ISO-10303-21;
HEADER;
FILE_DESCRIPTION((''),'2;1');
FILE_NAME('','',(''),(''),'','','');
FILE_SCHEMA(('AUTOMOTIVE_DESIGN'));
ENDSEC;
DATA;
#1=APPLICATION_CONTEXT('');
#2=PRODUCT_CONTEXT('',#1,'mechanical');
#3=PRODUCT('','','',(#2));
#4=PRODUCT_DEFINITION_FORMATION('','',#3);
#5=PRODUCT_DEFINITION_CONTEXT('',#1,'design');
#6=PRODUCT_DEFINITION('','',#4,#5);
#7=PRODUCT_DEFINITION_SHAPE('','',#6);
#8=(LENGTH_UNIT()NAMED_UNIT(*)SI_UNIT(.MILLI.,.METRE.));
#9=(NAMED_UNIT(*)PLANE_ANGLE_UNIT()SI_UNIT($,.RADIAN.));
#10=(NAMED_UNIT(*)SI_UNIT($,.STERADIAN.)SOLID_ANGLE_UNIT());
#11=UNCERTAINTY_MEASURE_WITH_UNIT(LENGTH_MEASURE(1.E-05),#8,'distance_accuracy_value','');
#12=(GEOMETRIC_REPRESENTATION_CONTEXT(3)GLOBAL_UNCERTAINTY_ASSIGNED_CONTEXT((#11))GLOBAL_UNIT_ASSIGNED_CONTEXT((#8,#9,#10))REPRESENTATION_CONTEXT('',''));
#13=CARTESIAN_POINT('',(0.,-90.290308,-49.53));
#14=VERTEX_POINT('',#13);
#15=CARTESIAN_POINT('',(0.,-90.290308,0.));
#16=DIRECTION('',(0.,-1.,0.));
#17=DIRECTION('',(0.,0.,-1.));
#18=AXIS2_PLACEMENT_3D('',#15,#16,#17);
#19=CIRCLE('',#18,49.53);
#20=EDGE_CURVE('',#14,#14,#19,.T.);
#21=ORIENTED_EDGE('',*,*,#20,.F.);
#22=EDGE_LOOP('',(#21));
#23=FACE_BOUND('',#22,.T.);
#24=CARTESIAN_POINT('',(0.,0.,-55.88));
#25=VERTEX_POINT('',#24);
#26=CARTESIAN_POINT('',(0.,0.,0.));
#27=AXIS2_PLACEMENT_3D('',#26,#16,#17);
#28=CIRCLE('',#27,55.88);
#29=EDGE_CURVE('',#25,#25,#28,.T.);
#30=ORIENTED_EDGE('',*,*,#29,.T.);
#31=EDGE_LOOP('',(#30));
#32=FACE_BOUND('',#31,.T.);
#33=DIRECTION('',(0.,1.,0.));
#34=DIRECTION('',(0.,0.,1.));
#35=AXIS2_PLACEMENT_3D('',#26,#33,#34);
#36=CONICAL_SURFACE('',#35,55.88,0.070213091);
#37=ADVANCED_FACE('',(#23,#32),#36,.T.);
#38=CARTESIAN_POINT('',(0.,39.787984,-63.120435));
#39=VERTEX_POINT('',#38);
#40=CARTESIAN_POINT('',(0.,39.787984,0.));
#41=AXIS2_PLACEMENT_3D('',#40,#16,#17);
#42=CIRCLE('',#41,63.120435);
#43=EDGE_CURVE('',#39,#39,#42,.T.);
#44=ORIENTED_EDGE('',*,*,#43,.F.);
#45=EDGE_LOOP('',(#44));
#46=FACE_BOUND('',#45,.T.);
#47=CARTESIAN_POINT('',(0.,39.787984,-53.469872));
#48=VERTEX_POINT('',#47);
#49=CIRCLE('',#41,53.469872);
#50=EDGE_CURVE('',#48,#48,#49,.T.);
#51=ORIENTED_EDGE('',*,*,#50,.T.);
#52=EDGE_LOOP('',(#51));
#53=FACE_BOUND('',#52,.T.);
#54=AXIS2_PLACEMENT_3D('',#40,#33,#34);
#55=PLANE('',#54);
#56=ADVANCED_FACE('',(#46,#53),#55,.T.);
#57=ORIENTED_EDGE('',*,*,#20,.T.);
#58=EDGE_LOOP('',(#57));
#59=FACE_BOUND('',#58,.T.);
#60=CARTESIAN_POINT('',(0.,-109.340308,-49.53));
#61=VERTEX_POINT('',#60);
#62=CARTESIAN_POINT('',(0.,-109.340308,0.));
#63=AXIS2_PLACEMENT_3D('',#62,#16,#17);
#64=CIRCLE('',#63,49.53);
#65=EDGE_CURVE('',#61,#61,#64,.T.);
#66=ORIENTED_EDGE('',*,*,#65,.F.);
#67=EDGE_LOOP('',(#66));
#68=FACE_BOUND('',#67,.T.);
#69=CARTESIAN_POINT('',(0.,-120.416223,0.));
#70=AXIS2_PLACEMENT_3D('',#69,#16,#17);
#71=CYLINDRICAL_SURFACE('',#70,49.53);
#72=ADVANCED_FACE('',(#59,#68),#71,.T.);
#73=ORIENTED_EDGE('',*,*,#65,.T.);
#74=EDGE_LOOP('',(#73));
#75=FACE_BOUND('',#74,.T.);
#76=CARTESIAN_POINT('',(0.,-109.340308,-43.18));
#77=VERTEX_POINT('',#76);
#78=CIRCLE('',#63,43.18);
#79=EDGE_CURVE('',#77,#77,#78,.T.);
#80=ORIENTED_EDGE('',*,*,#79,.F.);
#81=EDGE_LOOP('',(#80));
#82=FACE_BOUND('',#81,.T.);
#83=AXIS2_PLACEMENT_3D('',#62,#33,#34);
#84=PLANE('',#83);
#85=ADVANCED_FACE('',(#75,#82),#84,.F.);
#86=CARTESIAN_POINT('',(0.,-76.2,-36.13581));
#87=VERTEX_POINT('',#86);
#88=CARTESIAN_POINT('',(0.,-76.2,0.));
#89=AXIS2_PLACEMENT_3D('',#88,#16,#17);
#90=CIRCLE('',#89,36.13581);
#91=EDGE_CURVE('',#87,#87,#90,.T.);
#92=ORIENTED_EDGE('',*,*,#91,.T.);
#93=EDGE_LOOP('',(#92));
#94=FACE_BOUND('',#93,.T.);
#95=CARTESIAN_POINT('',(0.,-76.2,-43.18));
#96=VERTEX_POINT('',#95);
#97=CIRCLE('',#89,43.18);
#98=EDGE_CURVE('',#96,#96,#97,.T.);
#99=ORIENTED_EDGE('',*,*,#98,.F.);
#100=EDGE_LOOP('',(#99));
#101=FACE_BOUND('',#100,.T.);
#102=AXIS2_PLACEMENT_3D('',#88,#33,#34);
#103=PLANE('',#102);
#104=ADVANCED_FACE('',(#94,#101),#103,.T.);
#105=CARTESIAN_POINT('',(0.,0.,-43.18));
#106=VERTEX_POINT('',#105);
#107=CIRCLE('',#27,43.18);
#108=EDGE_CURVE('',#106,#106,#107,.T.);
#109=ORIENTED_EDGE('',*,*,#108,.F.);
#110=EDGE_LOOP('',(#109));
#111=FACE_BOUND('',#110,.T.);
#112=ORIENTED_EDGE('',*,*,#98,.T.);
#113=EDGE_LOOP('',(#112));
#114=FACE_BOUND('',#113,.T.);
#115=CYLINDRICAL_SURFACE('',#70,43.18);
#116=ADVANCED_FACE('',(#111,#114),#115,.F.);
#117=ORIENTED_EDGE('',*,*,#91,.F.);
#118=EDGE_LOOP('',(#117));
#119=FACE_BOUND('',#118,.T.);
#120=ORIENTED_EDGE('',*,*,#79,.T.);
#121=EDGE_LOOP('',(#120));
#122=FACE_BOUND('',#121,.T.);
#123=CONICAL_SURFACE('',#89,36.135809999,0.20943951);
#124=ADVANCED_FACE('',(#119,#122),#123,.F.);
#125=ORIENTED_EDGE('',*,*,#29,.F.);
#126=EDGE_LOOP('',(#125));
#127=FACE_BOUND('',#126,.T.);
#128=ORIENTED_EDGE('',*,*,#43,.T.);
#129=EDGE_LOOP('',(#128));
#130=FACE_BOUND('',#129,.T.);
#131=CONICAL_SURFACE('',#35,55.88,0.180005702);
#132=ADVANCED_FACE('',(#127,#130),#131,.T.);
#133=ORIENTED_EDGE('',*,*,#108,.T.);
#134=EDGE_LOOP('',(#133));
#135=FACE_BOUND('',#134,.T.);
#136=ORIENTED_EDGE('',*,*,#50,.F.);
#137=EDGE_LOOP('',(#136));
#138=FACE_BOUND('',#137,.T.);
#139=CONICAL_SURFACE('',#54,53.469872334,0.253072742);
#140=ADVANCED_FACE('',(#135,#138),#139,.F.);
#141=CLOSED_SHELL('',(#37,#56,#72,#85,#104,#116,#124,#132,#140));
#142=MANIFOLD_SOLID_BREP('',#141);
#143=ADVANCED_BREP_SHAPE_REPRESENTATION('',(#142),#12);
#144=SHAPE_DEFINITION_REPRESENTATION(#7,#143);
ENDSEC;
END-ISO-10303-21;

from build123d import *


with BuildPart() as part:
    # Sketch1 → Revolve1 (revolve)
    with BuildSketch(Plane.XY, mode=Mode.PRIVATE) as revolve1_sk:
        Polygon((43.18, -76.2), (36.135809999, -76.2), (43.18, -109.340308374), (49.53, -109.340308374), (49.53, -90.290308374), (55.88, 0), (63.1204351, 39.7879841), (53.469872334, 39.7879841), (43.18, 0), align=None)
    revolve(revolve1_sk.sketch.rotate(Axis((0, -120.416222998, 0), (0, 1, 0)), 90), axis=Axis((0, -120.416222998, 0), (0, 1, 0)))


solid = part.part
